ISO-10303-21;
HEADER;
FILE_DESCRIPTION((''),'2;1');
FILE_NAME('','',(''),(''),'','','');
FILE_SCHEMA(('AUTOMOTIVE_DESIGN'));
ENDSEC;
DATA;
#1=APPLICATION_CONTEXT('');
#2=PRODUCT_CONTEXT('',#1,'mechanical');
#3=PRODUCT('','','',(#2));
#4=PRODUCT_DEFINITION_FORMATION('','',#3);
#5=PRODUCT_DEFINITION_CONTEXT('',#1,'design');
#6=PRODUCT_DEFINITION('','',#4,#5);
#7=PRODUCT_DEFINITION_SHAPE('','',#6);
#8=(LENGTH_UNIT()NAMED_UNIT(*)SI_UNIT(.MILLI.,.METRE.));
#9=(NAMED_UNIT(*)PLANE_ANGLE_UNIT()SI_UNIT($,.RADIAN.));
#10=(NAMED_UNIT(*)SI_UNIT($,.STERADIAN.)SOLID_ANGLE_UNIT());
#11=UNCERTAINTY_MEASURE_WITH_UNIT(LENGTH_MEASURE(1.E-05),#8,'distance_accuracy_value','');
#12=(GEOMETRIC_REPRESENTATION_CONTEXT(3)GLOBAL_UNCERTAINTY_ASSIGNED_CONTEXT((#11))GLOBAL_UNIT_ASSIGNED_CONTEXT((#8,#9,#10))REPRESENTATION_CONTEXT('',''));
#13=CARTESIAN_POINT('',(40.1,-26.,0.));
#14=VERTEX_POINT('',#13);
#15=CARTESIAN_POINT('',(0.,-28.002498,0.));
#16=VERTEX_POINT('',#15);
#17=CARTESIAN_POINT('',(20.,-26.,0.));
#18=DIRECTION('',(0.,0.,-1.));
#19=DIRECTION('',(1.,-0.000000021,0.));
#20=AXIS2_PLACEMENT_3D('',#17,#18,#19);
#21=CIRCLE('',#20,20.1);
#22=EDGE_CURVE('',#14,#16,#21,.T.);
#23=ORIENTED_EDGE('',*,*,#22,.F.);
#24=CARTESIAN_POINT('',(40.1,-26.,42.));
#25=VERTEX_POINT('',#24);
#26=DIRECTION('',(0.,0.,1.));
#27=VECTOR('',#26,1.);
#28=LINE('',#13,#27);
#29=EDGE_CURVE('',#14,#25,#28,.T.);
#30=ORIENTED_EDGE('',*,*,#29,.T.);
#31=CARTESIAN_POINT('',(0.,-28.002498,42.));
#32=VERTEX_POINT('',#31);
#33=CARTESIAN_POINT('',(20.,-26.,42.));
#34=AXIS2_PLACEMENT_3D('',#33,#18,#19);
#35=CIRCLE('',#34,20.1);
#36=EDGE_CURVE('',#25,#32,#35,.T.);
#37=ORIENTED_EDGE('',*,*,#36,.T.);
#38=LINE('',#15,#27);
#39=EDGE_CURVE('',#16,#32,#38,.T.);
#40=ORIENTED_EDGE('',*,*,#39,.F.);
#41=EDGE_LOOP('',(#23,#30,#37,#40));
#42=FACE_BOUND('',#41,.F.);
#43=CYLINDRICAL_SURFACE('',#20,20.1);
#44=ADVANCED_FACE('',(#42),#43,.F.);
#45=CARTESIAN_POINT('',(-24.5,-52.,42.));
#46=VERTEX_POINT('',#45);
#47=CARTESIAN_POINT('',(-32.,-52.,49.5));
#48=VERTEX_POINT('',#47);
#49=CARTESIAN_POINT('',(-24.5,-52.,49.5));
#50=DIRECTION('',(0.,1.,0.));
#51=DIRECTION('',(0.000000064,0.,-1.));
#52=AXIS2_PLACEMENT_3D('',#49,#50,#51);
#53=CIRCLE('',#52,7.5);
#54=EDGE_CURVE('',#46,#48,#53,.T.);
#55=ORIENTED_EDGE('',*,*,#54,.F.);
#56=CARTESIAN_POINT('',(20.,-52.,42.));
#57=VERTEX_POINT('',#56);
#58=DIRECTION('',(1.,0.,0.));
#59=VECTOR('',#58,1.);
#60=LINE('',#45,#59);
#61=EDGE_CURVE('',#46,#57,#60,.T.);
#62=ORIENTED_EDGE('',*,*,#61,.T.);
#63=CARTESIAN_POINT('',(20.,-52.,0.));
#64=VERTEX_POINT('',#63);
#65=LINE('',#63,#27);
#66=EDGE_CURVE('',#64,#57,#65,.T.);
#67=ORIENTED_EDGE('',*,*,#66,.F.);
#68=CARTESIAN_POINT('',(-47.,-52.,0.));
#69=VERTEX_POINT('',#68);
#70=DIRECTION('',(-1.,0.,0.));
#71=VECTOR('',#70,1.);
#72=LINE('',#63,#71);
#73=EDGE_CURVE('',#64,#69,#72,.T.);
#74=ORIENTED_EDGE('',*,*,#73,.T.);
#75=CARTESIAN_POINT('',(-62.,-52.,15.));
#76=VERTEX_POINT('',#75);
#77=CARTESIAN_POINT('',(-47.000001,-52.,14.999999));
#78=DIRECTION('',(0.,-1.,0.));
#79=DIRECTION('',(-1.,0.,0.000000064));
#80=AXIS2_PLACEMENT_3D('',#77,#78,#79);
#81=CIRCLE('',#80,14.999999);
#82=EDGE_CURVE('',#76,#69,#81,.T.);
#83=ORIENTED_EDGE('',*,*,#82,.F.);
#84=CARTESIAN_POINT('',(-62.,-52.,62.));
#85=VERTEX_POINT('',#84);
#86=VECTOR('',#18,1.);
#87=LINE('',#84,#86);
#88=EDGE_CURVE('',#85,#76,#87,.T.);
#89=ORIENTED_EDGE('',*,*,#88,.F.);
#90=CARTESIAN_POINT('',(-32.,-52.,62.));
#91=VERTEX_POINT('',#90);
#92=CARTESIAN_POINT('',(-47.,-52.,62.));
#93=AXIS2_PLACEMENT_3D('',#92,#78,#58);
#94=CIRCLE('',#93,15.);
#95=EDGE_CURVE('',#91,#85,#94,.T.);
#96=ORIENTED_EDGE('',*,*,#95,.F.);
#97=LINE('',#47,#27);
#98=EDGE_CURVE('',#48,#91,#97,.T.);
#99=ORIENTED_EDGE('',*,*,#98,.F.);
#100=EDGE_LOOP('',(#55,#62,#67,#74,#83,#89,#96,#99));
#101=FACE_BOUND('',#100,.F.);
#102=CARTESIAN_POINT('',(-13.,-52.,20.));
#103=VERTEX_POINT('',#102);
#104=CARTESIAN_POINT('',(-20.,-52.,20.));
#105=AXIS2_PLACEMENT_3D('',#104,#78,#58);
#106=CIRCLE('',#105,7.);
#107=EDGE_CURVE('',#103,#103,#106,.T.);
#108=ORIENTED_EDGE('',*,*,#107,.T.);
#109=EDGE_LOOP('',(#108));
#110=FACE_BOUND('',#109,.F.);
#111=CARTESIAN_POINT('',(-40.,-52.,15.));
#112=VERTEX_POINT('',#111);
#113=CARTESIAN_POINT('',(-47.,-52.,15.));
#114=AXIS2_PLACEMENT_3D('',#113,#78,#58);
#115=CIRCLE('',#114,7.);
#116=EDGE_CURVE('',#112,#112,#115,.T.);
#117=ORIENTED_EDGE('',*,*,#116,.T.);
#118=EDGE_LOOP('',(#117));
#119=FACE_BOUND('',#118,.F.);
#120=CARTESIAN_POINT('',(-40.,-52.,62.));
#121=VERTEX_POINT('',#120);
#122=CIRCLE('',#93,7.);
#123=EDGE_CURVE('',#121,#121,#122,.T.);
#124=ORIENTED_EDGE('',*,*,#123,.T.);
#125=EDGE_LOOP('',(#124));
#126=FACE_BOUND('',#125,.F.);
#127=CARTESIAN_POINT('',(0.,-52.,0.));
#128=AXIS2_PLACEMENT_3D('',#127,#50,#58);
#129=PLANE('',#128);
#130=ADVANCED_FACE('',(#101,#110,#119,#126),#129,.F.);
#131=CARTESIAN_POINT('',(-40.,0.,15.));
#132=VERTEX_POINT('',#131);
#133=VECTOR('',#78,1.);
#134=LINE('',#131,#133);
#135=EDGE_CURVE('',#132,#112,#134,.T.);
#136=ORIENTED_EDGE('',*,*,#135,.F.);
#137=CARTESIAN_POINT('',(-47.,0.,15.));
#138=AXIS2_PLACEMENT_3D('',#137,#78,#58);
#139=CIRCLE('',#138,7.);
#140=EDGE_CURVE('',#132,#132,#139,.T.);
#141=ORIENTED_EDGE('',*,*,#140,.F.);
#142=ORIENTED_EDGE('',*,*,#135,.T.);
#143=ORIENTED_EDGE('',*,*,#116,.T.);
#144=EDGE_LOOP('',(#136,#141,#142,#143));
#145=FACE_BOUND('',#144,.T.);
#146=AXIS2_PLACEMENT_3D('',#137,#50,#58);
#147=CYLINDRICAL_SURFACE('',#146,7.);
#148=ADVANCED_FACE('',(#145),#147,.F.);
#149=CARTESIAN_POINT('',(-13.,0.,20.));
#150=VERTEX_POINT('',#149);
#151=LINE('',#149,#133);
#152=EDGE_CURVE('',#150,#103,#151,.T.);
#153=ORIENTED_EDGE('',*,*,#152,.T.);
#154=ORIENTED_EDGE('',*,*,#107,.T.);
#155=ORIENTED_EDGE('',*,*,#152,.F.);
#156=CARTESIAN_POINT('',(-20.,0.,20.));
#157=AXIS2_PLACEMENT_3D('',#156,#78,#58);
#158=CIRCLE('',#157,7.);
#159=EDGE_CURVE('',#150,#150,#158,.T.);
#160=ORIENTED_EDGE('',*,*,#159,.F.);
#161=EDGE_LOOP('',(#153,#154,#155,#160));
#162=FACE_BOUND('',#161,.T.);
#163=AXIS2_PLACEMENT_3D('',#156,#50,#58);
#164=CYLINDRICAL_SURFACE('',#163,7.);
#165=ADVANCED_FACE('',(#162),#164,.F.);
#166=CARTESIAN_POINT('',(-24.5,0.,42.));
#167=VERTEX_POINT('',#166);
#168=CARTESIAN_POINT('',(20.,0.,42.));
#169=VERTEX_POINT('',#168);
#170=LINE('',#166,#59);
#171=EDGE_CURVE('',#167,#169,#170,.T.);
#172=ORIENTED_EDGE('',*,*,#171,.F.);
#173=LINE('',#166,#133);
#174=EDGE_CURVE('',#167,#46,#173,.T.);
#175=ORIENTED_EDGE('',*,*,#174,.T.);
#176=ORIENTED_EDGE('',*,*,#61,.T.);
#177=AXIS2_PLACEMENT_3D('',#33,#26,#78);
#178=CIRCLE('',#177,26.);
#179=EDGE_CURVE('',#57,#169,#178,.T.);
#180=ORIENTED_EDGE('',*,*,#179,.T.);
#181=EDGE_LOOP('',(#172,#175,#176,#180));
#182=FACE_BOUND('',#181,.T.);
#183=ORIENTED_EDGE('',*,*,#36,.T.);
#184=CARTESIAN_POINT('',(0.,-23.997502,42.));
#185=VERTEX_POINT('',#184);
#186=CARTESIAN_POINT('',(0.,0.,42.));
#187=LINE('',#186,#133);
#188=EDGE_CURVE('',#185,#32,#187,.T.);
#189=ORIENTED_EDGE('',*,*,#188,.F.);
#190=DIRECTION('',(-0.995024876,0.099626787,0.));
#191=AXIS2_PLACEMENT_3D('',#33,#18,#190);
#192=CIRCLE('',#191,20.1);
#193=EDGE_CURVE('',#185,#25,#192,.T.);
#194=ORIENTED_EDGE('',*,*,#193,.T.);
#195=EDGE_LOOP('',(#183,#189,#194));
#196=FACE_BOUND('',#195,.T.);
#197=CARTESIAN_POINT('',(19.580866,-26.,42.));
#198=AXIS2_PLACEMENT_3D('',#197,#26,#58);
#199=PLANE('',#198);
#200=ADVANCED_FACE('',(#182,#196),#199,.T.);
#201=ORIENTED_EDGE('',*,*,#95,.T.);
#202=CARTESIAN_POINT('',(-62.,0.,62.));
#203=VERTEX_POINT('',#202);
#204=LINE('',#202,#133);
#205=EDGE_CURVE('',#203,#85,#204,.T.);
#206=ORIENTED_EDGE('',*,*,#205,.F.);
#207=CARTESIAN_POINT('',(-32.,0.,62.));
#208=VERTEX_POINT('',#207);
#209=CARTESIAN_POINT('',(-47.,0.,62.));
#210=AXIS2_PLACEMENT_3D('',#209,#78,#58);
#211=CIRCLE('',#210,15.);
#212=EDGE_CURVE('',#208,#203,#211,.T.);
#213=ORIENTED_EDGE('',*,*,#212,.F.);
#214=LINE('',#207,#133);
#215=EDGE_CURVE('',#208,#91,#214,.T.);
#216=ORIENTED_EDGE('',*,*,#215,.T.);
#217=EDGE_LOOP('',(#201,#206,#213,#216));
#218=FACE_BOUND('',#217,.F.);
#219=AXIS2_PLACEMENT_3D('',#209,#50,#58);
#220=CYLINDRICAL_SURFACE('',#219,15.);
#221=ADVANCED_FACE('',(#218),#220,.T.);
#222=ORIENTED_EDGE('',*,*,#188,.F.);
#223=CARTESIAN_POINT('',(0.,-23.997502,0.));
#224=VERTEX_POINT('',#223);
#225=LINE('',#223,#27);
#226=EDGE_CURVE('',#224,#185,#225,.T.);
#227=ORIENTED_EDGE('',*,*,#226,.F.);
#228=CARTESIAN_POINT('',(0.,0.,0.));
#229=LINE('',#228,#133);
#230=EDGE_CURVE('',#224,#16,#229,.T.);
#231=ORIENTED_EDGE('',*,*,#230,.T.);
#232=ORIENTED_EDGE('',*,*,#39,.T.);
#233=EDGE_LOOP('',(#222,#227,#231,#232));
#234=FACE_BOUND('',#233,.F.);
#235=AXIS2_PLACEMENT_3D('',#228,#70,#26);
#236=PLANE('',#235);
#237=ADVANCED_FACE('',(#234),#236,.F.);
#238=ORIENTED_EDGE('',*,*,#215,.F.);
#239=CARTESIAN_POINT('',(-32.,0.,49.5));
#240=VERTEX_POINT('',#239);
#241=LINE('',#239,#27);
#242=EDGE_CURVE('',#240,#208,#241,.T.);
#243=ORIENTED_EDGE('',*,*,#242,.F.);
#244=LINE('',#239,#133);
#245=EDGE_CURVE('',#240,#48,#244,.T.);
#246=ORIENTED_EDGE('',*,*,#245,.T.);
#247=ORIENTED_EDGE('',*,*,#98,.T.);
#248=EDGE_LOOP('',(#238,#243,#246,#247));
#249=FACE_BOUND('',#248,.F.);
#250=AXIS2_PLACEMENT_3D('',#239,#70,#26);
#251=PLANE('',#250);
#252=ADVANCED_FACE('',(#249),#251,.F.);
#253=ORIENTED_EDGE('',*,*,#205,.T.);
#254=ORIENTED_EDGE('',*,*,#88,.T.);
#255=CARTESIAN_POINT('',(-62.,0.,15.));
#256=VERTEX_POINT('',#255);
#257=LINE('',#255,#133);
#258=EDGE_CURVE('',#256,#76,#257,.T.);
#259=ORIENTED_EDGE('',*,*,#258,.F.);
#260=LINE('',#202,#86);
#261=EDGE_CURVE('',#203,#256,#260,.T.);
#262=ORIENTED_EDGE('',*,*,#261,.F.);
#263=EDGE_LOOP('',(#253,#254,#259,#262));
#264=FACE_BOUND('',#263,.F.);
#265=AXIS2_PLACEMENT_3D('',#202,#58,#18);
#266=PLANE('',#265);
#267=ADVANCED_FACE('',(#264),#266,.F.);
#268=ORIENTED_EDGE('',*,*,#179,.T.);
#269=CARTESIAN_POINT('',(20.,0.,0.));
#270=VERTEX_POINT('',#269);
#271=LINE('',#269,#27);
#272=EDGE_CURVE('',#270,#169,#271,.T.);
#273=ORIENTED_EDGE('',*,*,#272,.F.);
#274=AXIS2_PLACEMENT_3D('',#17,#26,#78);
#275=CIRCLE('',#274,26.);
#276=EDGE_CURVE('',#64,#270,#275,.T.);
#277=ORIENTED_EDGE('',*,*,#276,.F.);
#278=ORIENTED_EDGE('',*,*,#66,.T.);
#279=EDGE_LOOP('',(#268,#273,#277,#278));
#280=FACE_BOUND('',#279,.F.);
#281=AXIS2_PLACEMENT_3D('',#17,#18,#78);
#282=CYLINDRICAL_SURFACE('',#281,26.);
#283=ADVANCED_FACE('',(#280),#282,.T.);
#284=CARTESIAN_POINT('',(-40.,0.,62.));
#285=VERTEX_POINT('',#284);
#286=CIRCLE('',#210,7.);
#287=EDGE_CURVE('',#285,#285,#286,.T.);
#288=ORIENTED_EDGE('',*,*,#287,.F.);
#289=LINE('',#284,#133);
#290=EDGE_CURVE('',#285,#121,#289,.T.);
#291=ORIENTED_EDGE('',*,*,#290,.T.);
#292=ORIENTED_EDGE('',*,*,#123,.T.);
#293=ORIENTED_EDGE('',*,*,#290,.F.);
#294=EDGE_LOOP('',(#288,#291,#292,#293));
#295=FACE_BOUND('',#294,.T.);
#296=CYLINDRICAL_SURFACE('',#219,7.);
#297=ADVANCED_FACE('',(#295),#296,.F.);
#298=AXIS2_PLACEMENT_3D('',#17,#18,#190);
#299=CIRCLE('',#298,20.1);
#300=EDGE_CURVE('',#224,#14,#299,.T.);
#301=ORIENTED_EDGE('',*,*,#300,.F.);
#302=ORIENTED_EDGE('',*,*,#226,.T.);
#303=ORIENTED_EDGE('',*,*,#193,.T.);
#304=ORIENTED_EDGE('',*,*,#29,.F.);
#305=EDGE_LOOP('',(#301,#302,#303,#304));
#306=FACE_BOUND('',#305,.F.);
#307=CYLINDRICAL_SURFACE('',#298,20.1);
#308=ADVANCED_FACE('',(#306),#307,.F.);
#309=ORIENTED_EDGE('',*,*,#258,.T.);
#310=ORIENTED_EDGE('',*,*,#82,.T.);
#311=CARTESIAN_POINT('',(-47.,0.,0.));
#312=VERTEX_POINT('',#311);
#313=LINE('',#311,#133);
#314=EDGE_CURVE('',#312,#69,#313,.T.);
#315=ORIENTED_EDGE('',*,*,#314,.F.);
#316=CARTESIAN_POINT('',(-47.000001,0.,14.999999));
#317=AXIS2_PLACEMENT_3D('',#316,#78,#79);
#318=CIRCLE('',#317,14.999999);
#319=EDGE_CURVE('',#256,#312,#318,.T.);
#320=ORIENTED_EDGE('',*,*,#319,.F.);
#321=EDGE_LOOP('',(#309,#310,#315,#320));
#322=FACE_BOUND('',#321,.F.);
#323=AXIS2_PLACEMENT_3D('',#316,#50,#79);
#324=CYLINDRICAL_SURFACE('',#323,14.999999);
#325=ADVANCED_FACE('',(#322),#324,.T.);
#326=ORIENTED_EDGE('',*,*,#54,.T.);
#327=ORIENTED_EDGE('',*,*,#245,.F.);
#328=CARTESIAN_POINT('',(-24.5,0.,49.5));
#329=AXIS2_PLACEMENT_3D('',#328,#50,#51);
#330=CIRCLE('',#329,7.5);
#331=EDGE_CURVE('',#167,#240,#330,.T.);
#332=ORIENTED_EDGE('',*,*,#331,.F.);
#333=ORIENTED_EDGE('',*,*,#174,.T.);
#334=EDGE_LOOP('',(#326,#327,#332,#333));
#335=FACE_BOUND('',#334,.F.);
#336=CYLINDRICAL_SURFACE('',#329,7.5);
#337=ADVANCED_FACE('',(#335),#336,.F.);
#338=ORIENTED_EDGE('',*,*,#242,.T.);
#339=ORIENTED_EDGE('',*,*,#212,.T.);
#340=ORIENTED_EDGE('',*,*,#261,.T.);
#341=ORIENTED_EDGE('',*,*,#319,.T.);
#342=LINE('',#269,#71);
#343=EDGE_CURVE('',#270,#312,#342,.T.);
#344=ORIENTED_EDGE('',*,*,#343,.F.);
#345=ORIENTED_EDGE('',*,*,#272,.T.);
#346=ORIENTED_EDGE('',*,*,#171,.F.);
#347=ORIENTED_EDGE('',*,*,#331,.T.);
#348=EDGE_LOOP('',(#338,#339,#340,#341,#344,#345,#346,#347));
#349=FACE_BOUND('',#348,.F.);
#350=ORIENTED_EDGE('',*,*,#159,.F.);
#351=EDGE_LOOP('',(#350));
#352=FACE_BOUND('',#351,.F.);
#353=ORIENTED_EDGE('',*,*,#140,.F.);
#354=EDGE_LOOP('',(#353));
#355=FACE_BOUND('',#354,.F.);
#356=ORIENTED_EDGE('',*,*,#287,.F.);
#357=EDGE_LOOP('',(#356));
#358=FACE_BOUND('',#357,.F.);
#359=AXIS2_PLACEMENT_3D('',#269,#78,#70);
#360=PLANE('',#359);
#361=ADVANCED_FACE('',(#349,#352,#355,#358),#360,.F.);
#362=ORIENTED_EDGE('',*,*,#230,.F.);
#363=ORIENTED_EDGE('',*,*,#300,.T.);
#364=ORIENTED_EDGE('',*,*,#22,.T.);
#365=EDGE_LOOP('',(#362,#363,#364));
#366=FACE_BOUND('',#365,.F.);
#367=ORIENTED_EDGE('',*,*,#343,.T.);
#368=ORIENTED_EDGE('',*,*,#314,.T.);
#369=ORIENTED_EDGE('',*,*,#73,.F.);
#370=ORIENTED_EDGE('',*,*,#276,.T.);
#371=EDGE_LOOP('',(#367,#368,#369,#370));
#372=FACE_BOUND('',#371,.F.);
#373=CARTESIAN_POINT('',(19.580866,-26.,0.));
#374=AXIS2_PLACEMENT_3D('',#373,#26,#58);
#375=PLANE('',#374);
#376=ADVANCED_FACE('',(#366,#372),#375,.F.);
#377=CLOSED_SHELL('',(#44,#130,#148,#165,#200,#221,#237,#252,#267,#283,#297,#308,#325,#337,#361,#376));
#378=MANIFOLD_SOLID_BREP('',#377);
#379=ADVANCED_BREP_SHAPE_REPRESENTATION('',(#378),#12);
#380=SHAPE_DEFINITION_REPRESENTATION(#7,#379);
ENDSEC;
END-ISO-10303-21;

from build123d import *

# Parameters (mm, degrees)
F0_R     = 7
F1_DEPTH = 52
F3_DEPTH = 42


with BuildPart() as f1:
    # F0 (on Front) → F1 (new body)
    with BuildSketch(Plane.XZ):
        with BuildLine():
            Line((-47, 0), (0, 0))
            Line((0, 0), (0, 42))
            Line((0, 42), (-24.5, 42))
            ThreePointArc((-24.5, 42), (-29.803301, 44.196699), (-32, 49.5))
            Line((-32, 49.5), (-32, 62))
            ThreePointArc((-32, 62), (-47, 77), (-62, 62))
            Line((-62, 62), (-62, 15))
            ThreePointArc((-62, 15), (-57.606602, 4.393398), (-47, 0))
        make_face()
        with Locations((-47, 15)):
            Circle(F0_R, mode=Mode.SUBTRACT)
        with Locations((-20, 20)):
            Circle(F0_R, mode=Mode.SUBTRACT)
        with Locations((-47, 62)):
            Circle(F0_R, mode=Mode.SUBTRACT)
    extrude(amount=F1_DEPTH)

    # F2 (on Top) → F3 (join)
    with BuildSketch(Plane.XY):
        with BuildLine():
            Line((20, 0), (0, 0))
            Line((0, 0), (0, -23.997502))
            ThreePointArc((0, -23.997502), (21.002497, -5.925016), (40.1, -26))
            ThreePointArc((40.1, -26), (21.002497, -46.074984), (0, -28.002498))
            Line((0, -28.002498), (0, -52))
            Line((0, -52), (20, -52))
            ThreePointArc((20, -52), (46, -26), (20, 0))
        make_face()
    extrude(amount=F3_DEPTH)


solid = f1.part
